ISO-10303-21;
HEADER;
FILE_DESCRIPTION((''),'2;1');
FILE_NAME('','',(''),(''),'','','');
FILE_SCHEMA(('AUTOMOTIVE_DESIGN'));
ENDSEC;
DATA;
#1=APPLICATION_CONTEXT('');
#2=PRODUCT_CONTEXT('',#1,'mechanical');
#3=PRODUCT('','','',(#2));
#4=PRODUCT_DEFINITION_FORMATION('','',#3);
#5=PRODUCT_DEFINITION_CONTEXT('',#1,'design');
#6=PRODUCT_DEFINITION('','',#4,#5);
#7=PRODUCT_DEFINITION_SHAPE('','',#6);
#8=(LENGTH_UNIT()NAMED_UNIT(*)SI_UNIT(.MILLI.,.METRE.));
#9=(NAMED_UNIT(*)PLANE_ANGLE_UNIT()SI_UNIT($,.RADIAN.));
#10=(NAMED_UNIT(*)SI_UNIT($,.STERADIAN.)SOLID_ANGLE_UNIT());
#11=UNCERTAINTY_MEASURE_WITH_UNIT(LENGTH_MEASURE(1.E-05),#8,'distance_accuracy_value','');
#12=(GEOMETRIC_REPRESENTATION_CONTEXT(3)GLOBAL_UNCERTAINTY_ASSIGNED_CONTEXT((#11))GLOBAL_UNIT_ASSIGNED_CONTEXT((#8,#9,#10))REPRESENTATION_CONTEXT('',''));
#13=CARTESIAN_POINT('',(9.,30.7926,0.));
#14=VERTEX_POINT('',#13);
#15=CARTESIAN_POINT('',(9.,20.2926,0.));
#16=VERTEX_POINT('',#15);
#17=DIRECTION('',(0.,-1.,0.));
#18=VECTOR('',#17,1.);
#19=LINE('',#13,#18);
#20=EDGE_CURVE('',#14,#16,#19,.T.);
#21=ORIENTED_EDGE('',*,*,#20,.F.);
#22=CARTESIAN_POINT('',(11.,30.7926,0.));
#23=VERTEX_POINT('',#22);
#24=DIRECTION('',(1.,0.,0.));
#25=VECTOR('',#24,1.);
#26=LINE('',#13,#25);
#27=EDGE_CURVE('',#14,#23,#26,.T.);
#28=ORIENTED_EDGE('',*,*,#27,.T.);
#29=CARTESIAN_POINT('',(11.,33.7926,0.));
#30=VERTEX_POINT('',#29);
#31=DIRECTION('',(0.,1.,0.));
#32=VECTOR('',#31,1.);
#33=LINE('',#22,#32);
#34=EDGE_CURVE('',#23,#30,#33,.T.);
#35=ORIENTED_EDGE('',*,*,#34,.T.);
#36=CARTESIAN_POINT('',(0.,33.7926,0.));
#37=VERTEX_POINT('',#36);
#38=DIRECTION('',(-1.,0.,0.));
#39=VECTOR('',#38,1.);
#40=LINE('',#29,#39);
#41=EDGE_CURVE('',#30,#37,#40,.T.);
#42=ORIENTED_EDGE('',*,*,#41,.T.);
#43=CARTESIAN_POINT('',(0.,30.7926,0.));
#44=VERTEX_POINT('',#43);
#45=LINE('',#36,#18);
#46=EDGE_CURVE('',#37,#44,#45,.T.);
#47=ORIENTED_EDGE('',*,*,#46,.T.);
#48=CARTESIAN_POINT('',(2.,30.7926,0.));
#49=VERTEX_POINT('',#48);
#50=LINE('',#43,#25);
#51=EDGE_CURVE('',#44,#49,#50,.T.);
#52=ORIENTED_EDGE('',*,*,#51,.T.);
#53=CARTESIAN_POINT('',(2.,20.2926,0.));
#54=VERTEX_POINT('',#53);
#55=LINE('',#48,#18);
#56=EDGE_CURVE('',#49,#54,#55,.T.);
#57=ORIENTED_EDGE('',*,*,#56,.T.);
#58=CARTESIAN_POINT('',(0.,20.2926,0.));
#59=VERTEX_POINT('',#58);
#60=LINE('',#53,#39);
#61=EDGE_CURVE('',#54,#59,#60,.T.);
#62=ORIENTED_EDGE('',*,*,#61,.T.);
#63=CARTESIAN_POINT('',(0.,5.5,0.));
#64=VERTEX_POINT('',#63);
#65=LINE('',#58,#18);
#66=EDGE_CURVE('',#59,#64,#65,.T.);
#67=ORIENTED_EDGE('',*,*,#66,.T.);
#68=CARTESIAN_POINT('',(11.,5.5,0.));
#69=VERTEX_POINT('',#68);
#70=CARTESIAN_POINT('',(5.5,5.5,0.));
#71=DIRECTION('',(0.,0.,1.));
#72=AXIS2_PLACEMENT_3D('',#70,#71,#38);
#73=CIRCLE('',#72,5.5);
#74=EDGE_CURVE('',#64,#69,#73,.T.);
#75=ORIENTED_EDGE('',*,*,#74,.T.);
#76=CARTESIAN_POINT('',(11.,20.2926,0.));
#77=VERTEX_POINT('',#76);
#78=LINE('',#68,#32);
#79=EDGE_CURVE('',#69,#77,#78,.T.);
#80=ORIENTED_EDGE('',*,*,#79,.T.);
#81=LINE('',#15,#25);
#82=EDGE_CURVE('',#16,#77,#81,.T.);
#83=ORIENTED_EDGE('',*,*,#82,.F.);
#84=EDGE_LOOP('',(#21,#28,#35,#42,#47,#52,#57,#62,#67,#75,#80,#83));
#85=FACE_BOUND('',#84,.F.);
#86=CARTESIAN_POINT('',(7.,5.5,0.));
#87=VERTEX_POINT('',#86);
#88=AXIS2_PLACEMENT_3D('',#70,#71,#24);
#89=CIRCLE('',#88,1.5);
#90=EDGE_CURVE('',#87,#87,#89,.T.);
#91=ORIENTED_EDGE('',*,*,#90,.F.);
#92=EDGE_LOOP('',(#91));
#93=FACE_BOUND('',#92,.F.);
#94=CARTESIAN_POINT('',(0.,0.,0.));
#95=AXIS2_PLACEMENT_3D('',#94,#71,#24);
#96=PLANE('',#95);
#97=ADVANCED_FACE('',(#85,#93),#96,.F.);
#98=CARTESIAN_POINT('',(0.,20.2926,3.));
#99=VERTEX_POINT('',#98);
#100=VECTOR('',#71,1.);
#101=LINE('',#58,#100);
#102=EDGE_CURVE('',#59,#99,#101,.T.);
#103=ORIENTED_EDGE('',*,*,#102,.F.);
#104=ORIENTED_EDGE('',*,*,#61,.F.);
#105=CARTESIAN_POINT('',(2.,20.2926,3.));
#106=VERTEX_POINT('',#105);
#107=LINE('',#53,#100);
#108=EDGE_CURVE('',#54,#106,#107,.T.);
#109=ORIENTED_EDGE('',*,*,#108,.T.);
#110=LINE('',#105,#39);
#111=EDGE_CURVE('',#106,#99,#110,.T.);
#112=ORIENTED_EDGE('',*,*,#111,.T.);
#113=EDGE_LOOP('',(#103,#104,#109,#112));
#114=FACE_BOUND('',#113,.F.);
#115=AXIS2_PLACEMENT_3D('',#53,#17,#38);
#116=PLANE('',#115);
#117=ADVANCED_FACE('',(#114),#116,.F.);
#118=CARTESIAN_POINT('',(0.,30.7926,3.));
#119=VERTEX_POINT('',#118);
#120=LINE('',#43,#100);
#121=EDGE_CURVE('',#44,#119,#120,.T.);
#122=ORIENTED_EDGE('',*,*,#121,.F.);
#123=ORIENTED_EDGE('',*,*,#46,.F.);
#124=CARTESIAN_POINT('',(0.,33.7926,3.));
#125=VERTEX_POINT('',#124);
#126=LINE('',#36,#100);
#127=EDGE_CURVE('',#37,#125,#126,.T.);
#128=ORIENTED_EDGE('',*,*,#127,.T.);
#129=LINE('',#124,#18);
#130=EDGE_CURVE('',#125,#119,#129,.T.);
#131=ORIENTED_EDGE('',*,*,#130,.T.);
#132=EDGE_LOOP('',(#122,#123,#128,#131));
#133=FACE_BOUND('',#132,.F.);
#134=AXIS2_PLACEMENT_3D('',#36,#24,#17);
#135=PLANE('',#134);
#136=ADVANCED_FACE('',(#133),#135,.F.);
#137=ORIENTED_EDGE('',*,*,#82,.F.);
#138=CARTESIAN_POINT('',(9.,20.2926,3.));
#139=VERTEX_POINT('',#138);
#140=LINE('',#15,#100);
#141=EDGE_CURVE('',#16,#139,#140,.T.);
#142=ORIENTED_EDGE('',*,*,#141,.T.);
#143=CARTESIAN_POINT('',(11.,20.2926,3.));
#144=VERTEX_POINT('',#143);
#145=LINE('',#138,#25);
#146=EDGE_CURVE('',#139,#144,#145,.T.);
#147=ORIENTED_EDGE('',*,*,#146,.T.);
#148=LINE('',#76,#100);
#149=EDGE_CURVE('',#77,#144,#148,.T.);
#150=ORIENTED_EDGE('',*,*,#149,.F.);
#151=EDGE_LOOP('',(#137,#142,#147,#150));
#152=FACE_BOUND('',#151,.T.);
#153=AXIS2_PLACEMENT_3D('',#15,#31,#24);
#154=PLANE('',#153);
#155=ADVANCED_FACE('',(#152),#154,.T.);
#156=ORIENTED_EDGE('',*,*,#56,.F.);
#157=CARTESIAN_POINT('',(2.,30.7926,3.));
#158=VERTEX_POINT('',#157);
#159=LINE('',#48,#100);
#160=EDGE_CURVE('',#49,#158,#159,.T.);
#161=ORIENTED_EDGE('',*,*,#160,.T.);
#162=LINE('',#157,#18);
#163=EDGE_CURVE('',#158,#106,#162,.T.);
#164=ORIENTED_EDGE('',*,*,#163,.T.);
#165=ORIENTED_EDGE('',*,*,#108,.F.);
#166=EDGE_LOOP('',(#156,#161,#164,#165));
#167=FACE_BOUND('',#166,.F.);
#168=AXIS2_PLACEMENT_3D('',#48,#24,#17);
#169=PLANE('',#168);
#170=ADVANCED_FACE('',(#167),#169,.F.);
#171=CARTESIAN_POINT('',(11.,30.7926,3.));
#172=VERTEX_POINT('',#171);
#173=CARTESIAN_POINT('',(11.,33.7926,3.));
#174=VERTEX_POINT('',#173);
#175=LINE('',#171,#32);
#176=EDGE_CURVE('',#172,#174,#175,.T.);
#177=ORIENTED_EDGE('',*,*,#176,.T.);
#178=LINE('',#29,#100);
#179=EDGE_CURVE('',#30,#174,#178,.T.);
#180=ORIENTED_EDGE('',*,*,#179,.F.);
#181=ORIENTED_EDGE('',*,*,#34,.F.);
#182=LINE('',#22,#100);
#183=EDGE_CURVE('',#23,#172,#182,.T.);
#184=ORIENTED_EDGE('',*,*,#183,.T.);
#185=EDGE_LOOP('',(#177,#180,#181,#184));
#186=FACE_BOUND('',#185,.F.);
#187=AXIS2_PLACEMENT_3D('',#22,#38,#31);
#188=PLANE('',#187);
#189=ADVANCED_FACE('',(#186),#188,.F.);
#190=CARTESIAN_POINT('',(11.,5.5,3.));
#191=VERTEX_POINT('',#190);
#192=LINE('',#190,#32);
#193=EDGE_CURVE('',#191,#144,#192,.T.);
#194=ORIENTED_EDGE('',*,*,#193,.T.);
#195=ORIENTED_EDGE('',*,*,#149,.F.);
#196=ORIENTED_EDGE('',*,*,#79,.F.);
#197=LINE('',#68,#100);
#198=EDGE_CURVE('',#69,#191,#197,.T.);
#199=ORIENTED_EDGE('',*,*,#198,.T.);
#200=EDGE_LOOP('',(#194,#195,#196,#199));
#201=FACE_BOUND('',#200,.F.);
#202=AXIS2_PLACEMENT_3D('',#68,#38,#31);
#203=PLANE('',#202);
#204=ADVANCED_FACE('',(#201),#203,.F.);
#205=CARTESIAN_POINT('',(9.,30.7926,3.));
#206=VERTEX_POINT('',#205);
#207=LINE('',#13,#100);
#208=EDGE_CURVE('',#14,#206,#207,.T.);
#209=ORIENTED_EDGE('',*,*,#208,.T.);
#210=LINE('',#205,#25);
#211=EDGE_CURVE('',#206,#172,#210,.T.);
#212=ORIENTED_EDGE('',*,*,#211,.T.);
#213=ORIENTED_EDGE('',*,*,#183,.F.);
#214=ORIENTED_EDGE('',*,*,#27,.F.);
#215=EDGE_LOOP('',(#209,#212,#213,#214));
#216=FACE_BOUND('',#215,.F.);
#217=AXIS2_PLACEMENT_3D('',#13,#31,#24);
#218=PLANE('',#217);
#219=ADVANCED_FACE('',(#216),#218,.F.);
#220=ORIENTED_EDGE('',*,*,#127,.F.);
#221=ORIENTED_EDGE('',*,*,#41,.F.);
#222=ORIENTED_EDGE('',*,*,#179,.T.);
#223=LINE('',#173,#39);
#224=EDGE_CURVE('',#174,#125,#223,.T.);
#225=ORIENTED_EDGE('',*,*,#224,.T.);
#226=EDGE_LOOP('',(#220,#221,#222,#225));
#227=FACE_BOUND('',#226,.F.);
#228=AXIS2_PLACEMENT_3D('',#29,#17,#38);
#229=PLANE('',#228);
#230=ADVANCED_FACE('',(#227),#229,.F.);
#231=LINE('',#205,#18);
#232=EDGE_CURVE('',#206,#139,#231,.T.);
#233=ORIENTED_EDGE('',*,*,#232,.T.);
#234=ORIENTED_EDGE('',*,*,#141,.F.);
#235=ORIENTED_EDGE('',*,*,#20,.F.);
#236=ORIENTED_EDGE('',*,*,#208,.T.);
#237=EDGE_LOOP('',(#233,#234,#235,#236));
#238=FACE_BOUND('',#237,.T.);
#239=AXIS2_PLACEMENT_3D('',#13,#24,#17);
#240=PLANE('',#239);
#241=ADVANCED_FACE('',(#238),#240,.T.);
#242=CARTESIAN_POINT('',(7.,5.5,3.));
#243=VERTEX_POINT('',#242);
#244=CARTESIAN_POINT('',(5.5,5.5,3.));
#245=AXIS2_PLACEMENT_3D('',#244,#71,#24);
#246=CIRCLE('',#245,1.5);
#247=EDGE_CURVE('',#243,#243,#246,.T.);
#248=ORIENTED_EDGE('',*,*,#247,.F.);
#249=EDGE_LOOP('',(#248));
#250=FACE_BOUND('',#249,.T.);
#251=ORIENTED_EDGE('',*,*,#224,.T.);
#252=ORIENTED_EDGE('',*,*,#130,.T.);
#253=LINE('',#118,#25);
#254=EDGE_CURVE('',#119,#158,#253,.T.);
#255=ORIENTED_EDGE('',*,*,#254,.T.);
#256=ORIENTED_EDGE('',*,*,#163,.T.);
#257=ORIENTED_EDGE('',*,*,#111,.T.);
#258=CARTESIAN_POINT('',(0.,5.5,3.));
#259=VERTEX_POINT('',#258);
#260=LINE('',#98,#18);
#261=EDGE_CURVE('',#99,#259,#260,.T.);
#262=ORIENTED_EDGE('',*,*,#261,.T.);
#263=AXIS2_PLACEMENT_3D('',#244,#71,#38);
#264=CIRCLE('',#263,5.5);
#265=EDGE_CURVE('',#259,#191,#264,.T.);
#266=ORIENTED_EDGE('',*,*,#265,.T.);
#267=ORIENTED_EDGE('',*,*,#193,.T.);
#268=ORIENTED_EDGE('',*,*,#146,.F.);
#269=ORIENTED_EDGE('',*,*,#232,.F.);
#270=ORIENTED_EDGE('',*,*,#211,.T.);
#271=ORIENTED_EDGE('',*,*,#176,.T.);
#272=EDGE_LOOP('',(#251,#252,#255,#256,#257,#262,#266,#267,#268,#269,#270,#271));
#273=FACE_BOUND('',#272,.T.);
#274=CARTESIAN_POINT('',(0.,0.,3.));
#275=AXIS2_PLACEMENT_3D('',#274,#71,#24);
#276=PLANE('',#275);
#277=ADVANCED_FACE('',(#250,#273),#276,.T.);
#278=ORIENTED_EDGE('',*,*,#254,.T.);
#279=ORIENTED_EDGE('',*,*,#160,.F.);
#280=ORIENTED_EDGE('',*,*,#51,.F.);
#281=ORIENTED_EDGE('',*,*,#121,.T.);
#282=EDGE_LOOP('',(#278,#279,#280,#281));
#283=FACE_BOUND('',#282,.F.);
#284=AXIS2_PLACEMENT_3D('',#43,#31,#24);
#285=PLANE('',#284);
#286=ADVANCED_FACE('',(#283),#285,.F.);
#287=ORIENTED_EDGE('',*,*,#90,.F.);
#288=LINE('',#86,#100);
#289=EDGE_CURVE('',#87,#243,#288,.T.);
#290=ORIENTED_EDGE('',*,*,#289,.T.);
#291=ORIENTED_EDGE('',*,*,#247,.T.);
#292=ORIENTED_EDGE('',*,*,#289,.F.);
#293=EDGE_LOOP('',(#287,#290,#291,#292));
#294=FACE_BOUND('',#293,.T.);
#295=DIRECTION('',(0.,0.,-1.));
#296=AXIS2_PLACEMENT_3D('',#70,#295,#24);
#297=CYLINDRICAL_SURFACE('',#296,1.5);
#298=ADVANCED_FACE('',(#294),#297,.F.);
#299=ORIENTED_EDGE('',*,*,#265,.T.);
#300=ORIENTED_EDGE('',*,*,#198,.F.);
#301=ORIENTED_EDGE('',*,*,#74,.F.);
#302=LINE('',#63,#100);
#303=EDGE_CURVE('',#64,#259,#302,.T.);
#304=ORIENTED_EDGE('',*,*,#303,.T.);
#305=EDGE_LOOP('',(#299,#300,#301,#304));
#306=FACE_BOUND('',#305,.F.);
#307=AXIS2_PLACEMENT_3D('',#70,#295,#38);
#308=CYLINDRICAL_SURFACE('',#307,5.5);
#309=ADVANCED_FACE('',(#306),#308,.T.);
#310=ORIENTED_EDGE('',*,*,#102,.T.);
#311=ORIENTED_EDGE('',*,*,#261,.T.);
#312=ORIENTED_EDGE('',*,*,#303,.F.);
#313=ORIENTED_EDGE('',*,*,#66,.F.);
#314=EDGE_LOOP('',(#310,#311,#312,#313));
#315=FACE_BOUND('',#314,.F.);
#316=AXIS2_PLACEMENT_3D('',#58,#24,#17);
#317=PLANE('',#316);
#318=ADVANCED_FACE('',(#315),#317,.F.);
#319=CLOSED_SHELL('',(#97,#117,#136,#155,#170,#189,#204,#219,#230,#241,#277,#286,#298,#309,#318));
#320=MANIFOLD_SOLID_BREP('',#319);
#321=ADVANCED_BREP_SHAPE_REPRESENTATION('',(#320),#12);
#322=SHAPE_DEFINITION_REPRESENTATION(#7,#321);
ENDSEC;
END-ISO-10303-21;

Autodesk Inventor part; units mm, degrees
ref_plane "YZ Plane" through (0, 0, 0) normal (1, 0, 0) x (0, 1, 0)
ref_plane "XZ Plane" through (0, 0, 0) normal (0, 1, 0) x (-1, 0, 0)
ref_plane "XY Plane" through (0, 0, 0) normal (0, 0, 1) x (1, 0, 0)
sketch "Sketch6" plane through (0, 0, 0) normal (0, 0, 1) x (1, 0, 0)
  line L0 (11, 33.7926) -> (0, 33.7926)
  line L1 (2, 30.7926) -> (2, 20.2926)
  line L2 (9, 30.7926) -> (9, 20.2926)
  line L3 (2, 20.2926) -> (0, 20.2926)
  line L4 (9, 20.2926) -> (11, 20.2926)
  arc A0 (0, 5.5) -> (11, 5.5) centre (5.5, 5.5) ccw
  circle A1 centre (5.5, 5.5) radius 1.5
  line L5 (0, 30.7926) -> (2, 30.7926)
  line L6 (9, 30.7926) -> (11, 30.7926)
  line L7 (0, 33.7926) -> (0, 30.7926)
  line L8 (0, 20.2926) -> (0, 5.5)
  line L9 (11, 5.5) -> (11, 20.2926)
  line L10 (11, 30.7926) -> (11, 33.7926)
  point P0 (0, 0)
  point P1 (10, 20.2926)
  dimension "d92" = 10.5
  dimension "d93" = 10.5
  dimension "d94" = 2
  dimension "d95" = 2
  dimension "d96" = 3
  dimension "d97" = 11
  dimension "d98" = 14.7926
extrude "Extrusion3" add sketch "Sketch6" along normal blind 3
properties part number "4P.01.02.27-BC-v1-Final Aileron L2 80deg" material "Acrylic, Clear"
